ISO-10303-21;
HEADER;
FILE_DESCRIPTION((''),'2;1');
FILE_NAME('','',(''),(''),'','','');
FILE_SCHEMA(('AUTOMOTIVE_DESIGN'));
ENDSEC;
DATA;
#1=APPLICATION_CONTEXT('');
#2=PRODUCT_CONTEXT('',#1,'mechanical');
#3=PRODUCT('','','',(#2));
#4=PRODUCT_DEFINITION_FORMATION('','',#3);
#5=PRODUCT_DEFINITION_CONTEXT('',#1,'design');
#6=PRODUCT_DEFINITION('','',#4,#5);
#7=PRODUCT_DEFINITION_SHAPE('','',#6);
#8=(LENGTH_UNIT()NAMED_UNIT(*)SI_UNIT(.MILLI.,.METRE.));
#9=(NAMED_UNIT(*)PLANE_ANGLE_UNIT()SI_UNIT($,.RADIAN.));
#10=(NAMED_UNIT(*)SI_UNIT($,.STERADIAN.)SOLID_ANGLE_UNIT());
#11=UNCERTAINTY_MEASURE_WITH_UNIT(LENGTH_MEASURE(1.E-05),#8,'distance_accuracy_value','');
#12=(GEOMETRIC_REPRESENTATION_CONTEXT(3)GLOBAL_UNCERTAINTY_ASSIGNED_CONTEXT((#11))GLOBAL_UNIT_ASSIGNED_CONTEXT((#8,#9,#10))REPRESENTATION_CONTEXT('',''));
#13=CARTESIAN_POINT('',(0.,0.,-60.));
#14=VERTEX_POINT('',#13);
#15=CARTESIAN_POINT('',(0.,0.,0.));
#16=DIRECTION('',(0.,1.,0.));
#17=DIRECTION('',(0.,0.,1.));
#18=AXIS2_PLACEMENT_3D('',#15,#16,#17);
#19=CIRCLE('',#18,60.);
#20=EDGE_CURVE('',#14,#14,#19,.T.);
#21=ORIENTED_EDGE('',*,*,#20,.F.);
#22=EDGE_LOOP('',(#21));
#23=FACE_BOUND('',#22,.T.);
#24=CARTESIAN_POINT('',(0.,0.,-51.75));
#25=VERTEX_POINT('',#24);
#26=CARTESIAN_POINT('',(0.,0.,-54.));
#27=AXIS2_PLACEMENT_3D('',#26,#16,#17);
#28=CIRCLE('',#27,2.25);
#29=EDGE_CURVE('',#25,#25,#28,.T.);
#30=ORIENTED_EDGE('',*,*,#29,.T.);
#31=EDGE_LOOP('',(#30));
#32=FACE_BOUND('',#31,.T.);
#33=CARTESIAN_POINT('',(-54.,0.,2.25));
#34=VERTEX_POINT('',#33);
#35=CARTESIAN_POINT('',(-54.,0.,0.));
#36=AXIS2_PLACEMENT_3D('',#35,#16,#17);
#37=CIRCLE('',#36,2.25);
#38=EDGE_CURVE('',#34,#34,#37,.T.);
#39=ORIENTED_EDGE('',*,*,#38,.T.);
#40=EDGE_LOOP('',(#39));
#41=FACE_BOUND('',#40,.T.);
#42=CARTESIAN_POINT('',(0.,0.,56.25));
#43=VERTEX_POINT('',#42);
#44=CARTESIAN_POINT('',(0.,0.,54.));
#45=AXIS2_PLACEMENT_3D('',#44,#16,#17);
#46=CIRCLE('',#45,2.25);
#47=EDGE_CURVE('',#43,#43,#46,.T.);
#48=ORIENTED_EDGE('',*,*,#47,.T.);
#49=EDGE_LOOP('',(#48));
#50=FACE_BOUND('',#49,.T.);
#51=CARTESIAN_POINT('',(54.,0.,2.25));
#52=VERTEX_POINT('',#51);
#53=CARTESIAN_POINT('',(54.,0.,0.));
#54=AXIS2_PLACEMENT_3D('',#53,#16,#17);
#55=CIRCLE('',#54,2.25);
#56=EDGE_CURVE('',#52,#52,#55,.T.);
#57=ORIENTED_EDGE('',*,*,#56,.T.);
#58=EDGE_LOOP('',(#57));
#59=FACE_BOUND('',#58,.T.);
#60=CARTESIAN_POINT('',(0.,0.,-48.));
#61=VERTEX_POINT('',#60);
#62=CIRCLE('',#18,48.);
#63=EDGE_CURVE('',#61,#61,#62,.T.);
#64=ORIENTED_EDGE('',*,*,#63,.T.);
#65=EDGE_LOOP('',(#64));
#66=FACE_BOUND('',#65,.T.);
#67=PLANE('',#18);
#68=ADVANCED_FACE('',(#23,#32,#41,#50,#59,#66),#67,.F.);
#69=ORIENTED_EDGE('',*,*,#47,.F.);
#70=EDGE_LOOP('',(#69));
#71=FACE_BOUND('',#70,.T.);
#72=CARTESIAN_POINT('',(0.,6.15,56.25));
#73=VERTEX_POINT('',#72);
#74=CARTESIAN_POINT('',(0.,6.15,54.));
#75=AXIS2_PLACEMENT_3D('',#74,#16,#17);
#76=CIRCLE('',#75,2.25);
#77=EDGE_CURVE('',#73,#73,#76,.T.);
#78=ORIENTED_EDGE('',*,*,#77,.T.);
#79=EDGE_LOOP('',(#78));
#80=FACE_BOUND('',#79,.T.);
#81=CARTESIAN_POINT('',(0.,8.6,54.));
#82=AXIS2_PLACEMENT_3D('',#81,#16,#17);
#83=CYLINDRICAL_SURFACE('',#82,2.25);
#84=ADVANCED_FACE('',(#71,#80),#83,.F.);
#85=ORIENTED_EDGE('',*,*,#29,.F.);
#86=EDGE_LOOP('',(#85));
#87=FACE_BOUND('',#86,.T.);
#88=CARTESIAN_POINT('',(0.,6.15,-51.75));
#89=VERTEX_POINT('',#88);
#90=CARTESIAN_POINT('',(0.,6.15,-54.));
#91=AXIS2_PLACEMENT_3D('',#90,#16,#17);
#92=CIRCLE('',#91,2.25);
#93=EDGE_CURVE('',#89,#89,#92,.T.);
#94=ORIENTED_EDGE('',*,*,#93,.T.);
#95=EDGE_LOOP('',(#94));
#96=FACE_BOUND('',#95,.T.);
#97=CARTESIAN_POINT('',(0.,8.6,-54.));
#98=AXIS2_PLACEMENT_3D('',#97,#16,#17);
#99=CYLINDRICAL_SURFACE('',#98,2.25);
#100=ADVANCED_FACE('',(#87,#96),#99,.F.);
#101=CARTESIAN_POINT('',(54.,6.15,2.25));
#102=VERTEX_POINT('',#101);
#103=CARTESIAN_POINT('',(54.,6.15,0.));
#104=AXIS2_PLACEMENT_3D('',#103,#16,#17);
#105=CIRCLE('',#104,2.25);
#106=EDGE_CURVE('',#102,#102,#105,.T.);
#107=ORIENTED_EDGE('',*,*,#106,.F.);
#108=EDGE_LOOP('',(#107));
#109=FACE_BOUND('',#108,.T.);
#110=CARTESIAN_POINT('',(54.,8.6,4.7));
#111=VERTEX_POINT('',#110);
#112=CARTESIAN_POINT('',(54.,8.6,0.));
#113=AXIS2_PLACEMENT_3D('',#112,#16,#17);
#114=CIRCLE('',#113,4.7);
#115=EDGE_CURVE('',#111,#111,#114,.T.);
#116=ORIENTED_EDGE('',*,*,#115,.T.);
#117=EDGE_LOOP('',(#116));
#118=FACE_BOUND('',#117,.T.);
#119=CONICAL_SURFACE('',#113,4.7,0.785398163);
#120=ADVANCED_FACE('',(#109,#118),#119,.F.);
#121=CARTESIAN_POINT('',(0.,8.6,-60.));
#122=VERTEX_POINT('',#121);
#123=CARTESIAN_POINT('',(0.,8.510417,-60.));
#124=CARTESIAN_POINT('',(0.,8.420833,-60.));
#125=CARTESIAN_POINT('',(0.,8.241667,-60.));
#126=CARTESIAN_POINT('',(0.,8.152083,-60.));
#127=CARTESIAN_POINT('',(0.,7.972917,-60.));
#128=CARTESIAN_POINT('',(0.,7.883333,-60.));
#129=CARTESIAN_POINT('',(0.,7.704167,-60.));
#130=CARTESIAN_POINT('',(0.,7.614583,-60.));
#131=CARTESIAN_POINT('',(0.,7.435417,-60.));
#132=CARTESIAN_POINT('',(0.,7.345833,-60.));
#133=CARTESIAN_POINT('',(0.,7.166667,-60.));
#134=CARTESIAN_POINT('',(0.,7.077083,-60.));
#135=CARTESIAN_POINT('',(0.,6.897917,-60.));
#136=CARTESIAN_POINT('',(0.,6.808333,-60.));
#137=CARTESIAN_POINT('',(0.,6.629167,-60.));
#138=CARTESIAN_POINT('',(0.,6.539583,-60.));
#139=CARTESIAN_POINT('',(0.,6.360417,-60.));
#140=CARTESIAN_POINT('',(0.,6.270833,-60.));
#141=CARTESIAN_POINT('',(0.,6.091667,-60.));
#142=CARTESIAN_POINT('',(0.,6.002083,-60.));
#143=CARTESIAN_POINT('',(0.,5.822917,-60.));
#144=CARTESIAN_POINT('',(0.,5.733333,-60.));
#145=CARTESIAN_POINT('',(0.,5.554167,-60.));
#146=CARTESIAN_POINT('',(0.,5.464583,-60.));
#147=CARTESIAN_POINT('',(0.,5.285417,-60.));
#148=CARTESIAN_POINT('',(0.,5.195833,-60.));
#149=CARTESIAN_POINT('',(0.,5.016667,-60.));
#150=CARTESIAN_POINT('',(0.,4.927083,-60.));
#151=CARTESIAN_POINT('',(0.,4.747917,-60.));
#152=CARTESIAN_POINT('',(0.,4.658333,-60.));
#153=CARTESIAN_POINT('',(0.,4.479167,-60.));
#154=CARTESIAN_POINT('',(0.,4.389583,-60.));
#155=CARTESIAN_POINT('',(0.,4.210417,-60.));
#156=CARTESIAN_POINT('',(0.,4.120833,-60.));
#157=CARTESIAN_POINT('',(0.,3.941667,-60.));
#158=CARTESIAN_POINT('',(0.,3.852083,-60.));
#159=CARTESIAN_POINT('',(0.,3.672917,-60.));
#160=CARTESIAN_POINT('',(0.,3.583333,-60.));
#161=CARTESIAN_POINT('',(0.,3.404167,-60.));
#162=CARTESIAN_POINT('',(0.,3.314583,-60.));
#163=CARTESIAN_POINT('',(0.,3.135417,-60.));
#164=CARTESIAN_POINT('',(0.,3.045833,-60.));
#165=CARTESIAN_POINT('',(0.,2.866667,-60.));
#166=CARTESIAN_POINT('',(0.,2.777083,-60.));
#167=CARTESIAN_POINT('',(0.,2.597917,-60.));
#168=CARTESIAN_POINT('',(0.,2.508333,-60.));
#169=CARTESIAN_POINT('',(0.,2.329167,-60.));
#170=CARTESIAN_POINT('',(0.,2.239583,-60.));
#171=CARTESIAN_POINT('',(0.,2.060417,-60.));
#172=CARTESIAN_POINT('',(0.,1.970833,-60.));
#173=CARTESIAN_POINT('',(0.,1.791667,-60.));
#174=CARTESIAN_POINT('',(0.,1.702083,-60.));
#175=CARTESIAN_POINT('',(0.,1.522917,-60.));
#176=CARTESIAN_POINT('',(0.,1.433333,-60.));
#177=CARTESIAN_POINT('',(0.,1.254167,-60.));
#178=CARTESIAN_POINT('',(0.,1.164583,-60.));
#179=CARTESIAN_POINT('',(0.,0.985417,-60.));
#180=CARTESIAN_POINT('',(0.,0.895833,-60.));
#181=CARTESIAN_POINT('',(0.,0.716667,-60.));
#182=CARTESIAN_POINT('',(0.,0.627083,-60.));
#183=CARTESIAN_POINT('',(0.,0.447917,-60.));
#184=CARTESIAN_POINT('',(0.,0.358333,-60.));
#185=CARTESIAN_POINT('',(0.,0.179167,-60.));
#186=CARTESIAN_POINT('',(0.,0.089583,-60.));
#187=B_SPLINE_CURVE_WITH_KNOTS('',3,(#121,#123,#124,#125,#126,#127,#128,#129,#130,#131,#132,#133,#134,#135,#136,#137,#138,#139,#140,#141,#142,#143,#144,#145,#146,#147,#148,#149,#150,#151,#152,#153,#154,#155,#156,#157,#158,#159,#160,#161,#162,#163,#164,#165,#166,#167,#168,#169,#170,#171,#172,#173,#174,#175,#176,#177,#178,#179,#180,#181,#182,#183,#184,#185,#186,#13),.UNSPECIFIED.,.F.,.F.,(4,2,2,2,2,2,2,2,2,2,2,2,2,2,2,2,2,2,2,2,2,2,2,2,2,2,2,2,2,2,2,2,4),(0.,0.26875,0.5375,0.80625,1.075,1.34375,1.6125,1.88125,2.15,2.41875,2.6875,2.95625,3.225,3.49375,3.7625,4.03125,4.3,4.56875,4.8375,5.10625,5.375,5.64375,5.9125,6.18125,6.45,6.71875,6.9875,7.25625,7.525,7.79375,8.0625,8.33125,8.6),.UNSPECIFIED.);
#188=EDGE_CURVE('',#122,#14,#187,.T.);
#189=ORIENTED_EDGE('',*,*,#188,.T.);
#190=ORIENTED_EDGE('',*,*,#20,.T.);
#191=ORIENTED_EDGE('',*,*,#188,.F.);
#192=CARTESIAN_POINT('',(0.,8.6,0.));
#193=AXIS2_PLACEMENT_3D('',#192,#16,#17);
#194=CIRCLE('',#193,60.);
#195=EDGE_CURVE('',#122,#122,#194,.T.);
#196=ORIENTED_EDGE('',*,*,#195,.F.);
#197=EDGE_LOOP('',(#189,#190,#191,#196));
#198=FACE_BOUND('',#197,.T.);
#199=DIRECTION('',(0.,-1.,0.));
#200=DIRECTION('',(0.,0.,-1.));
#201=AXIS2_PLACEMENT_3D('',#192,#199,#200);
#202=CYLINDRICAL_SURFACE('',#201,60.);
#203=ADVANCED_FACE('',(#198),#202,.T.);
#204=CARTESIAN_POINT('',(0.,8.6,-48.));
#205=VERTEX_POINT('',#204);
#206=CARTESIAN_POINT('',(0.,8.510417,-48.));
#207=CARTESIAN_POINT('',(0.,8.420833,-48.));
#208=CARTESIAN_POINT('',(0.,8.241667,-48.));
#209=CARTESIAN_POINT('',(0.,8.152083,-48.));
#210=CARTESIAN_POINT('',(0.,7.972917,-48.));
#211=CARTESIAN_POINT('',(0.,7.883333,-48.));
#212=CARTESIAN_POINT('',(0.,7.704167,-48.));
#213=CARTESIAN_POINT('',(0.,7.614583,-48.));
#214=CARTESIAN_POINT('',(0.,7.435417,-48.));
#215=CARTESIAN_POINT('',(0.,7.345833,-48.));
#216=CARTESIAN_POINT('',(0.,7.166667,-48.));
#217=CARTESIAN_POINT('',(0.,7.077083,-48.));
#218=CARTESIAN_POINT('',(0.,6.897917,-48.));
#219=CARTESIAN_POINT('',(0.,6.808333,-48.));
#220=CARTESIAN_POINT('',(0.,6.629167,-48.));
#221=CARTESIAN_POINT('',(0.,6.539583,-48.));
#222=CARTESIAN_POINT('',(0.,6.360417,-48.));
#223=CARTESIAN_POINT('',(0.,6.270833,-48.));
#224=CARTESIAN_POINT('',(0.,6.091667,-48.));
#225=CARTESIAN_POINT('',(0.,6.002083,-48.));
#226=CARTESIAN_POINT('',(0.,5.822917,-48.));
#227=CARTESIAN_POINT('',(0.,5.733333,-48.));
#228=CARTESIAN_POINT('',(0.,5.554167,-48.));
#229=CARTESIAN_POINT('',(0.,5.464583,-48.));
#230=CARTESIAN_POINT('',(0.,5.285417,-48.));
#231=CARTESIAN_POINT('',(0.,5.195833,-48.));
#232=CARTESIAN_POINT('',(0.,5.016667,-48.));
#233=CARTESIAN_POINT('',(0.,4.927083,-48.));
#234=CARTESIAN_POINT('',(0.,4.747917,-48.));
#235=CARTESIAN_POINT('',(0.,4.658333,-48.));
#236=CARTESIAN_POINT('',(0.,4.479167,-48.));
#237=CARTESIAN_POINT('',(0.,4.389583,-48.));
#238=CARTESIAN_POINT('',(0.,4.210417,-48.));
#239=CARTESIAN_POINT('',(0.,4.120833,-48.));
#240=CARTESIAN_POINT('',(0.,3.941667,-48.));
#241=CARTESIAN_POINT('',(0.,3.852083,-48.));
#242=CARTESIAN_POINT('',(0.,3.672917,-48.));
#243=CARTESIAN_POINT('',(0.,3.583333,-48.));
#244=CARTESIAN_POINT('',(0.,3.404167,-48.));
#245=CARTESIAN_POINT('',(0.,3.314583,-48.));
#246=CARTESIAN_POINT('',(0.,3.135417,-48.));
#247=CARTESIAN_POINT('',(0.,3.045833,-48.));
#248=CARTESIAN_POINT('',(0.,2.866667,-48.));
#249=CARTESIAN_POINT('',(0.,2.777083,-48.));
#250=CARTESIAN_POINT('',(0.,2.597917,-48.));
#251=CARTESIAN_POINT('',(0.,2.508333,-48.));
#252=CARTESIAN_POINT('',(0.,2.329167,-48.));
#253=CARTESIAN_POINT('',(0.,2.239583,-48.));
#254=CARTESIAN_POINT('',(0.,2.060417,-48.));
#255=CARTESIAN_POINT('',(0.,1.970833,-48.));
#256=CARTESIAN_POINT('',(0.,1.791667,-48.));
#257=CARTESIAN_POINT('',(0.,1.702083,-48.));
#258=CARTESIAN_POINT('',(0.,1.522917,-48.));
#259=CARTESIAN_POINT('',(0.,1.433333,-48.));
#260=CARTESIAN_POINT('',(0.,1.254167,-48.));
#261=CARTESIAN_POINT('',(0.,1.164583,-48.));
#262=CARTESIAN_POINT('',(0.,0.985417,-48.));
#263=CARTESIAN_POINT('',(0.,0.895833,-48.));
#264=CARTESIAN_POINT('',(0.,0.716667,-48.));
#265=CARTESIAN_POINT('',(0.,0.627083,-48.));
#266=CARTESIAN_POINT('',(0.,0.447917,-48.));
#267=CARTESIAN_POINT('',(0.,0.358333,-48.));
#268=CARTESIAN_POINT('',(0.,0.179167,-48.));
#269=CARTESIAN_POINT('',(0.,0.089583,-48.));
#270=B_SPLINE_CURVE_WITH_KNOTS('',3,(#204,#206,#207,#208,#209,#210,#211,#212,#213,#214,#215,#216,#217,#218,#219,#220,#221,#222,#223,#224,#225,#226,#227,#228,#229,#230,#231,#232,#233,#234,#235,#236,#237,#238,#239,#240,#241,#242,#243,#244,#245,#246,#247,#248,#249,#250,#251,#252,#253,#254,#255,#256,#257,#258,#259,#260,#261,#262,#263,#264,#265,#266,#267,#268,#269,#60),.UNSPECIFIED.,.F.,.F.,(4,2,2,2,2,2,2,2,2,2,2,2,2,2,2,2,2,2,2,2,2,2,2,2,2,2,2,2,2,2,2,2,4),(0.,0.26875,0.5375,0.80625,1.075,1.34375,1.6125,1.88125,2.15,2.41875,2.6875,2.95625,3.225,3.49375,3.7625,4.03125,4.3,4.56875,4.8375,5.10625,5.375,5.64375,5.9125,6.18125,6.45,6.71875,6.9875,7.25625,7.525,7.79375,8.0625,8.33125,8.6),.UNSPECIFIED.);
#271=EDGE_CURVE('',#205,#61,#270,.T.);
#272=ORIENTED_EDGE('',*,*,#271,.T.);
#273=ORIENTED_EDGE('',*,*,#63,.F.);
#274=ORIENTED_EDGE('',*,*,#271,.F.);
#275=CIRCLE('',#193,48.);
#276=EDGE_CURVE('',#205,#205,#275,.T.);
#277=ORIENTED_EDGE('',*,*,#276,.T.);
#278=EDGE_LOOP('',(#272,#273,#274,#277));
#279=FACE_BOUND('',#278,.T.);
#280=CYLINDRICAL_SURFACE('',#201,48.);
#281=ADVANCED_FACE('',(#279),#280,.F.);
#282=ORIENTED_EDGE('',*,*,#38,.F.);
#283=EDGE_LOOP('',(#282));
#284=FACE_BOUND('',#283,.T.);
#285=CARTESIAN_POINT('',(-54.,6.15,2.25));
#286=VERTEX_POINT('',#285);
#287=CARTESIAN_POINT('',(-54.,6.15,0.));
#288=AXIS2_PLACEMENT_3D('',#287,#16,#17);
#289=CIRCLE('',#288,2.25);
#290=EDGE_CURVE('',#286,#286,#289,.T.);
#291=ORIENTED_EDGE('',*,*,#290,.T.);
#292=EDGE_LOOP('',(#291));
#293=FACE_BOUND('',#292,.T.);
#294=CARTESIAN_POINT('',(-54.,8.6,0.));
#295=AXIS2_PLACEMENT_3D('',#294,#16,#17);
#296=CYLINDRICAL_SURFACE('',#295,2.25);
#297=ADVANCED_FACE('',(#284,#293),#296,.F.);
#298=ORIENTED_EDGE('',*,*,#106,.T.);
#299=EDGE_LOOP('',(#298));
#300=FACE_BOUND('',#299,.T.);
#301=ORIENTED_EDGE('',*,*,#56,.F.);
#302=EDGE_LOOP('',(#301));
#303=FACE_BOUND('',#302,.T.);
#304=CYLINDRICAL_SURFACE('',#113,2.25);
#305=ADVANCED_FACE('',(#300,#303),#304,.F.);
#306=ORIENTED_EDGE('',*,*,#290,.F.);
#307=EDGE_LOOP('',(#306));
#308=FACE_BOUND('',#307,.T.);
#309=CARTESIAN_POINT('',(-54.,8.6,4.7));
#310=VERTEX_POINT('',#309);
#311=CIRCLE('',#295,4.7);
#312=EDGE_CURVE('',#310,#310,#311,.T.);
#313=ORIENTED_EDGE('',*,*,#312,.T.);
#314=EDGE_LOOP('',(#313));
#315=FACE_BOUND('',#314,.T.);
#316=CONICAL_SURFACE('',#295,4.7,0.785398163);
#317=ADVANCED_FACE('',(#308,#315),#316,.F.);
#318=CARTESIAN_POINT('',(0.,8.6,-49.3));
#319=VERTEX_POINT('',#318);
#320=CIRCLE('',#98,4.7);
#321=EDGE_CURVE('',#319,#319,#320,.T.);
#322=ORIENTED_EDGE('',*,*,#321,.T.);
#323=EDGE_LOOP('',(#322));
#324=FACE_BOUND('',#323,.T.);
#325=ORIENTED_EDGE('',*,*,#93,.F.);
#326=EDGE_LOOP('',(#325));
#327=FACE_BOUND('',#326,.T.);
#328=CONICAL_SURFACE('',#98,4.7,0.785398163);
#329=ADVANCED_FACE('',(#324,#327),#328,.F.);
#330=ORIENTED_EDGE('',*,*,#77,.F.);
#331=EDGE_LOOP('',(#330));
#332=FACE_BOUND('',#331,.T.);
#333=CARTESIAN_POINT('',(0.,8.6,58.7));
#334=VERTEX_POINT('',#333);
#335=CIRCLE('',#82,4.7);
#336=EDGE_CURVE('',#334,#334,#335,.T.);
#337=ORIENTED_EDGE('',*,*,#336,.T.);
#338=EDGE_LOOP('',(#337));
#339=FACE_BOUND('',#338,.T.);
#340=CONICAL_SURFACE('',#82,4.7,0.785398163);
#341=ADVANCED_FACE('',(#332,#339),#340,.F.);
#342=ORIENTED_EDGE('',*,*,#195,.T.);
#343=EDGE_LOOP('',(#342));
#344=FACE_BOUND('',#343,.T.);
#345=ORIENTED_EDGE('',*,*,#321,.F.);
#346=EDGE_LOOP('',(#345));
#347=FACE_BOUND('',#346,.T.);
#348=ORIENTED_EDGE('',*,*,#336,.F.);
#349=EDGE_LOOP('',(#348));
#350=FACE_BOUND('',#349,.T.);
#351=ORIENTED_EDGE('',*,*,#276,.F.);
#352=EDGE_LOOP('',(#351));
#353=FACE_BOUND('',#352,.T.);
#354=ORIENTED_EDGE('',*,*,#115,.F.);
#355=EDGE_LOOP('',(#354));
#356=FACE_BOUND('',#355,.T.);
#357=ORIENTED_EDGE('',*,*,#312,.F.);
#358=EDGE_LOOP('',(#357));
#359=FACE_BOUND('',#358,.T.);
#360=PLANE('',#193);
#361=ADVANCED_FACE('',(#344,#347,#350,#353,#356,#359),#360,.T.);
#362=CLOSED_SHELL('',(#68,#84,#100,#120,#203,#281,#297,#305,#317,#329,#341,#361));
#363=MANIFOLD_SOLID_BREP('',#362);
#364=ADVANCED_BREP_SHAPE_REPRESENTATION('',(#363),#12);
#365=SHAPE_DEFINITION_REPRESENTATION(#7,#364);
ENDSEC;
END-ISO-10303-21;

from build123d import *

# Parameters (mm, degrees)
SKETCH1_R                                       = 60
SKETCH1_R_2                                     = 48
BOSS_EXTRUDE1_DEPTH                             = 8.6
CSK_FOR_M4_FLAT_HEAD_MACHINE_SCREW1_D           = 4.5
CSK_FOR_M4_FLAT_HEAD_MACHINE_SCREW1_CSINK_D     = 9.4
CSK_FOR_M4_FLAT_HEAD_MACHINE_SCREW1_CSINK_ANGLE = 90


with BuildPart() as part:
    # Sketch1 → Boss-Extrude1 (new body)
    with BuildSketch(Plane(origin=(0, 0, 0), x_dir=(1, 0, 0), z_dir=(0, 1, 0))):
        Circle(SKETCH1_R)
        Circle(SKETCH1_R_2, mode=Mode.SUBTRACT)
    extrude(amount=BOSS_EXTRUDE1_DEPTH)

    # CSK for M4 Flat Head Machine Screw1 (through all)
    with Locations(Plane(origin=(0, 8.6, 0), x_dir=(1, 0, 0), z_dir=(0, 1, 0))):
        with Locations((0, 54), (0, -54), (-54, 0), (54, 0)):
            CounterSinkHole(CSK_FOR_M4_FLAT_HEAD_MACHINE_SCREW1_D / 2, CSK_FOR_M4_FLAT_HEAD_MACHINE_SCREW1_CSINK_D / 2, counter_sink_angle=CSK_FOR_M4_FLAT_HEAD_MACHINE_SCREW1_CSINK_ANGLE)


solid = part.part
